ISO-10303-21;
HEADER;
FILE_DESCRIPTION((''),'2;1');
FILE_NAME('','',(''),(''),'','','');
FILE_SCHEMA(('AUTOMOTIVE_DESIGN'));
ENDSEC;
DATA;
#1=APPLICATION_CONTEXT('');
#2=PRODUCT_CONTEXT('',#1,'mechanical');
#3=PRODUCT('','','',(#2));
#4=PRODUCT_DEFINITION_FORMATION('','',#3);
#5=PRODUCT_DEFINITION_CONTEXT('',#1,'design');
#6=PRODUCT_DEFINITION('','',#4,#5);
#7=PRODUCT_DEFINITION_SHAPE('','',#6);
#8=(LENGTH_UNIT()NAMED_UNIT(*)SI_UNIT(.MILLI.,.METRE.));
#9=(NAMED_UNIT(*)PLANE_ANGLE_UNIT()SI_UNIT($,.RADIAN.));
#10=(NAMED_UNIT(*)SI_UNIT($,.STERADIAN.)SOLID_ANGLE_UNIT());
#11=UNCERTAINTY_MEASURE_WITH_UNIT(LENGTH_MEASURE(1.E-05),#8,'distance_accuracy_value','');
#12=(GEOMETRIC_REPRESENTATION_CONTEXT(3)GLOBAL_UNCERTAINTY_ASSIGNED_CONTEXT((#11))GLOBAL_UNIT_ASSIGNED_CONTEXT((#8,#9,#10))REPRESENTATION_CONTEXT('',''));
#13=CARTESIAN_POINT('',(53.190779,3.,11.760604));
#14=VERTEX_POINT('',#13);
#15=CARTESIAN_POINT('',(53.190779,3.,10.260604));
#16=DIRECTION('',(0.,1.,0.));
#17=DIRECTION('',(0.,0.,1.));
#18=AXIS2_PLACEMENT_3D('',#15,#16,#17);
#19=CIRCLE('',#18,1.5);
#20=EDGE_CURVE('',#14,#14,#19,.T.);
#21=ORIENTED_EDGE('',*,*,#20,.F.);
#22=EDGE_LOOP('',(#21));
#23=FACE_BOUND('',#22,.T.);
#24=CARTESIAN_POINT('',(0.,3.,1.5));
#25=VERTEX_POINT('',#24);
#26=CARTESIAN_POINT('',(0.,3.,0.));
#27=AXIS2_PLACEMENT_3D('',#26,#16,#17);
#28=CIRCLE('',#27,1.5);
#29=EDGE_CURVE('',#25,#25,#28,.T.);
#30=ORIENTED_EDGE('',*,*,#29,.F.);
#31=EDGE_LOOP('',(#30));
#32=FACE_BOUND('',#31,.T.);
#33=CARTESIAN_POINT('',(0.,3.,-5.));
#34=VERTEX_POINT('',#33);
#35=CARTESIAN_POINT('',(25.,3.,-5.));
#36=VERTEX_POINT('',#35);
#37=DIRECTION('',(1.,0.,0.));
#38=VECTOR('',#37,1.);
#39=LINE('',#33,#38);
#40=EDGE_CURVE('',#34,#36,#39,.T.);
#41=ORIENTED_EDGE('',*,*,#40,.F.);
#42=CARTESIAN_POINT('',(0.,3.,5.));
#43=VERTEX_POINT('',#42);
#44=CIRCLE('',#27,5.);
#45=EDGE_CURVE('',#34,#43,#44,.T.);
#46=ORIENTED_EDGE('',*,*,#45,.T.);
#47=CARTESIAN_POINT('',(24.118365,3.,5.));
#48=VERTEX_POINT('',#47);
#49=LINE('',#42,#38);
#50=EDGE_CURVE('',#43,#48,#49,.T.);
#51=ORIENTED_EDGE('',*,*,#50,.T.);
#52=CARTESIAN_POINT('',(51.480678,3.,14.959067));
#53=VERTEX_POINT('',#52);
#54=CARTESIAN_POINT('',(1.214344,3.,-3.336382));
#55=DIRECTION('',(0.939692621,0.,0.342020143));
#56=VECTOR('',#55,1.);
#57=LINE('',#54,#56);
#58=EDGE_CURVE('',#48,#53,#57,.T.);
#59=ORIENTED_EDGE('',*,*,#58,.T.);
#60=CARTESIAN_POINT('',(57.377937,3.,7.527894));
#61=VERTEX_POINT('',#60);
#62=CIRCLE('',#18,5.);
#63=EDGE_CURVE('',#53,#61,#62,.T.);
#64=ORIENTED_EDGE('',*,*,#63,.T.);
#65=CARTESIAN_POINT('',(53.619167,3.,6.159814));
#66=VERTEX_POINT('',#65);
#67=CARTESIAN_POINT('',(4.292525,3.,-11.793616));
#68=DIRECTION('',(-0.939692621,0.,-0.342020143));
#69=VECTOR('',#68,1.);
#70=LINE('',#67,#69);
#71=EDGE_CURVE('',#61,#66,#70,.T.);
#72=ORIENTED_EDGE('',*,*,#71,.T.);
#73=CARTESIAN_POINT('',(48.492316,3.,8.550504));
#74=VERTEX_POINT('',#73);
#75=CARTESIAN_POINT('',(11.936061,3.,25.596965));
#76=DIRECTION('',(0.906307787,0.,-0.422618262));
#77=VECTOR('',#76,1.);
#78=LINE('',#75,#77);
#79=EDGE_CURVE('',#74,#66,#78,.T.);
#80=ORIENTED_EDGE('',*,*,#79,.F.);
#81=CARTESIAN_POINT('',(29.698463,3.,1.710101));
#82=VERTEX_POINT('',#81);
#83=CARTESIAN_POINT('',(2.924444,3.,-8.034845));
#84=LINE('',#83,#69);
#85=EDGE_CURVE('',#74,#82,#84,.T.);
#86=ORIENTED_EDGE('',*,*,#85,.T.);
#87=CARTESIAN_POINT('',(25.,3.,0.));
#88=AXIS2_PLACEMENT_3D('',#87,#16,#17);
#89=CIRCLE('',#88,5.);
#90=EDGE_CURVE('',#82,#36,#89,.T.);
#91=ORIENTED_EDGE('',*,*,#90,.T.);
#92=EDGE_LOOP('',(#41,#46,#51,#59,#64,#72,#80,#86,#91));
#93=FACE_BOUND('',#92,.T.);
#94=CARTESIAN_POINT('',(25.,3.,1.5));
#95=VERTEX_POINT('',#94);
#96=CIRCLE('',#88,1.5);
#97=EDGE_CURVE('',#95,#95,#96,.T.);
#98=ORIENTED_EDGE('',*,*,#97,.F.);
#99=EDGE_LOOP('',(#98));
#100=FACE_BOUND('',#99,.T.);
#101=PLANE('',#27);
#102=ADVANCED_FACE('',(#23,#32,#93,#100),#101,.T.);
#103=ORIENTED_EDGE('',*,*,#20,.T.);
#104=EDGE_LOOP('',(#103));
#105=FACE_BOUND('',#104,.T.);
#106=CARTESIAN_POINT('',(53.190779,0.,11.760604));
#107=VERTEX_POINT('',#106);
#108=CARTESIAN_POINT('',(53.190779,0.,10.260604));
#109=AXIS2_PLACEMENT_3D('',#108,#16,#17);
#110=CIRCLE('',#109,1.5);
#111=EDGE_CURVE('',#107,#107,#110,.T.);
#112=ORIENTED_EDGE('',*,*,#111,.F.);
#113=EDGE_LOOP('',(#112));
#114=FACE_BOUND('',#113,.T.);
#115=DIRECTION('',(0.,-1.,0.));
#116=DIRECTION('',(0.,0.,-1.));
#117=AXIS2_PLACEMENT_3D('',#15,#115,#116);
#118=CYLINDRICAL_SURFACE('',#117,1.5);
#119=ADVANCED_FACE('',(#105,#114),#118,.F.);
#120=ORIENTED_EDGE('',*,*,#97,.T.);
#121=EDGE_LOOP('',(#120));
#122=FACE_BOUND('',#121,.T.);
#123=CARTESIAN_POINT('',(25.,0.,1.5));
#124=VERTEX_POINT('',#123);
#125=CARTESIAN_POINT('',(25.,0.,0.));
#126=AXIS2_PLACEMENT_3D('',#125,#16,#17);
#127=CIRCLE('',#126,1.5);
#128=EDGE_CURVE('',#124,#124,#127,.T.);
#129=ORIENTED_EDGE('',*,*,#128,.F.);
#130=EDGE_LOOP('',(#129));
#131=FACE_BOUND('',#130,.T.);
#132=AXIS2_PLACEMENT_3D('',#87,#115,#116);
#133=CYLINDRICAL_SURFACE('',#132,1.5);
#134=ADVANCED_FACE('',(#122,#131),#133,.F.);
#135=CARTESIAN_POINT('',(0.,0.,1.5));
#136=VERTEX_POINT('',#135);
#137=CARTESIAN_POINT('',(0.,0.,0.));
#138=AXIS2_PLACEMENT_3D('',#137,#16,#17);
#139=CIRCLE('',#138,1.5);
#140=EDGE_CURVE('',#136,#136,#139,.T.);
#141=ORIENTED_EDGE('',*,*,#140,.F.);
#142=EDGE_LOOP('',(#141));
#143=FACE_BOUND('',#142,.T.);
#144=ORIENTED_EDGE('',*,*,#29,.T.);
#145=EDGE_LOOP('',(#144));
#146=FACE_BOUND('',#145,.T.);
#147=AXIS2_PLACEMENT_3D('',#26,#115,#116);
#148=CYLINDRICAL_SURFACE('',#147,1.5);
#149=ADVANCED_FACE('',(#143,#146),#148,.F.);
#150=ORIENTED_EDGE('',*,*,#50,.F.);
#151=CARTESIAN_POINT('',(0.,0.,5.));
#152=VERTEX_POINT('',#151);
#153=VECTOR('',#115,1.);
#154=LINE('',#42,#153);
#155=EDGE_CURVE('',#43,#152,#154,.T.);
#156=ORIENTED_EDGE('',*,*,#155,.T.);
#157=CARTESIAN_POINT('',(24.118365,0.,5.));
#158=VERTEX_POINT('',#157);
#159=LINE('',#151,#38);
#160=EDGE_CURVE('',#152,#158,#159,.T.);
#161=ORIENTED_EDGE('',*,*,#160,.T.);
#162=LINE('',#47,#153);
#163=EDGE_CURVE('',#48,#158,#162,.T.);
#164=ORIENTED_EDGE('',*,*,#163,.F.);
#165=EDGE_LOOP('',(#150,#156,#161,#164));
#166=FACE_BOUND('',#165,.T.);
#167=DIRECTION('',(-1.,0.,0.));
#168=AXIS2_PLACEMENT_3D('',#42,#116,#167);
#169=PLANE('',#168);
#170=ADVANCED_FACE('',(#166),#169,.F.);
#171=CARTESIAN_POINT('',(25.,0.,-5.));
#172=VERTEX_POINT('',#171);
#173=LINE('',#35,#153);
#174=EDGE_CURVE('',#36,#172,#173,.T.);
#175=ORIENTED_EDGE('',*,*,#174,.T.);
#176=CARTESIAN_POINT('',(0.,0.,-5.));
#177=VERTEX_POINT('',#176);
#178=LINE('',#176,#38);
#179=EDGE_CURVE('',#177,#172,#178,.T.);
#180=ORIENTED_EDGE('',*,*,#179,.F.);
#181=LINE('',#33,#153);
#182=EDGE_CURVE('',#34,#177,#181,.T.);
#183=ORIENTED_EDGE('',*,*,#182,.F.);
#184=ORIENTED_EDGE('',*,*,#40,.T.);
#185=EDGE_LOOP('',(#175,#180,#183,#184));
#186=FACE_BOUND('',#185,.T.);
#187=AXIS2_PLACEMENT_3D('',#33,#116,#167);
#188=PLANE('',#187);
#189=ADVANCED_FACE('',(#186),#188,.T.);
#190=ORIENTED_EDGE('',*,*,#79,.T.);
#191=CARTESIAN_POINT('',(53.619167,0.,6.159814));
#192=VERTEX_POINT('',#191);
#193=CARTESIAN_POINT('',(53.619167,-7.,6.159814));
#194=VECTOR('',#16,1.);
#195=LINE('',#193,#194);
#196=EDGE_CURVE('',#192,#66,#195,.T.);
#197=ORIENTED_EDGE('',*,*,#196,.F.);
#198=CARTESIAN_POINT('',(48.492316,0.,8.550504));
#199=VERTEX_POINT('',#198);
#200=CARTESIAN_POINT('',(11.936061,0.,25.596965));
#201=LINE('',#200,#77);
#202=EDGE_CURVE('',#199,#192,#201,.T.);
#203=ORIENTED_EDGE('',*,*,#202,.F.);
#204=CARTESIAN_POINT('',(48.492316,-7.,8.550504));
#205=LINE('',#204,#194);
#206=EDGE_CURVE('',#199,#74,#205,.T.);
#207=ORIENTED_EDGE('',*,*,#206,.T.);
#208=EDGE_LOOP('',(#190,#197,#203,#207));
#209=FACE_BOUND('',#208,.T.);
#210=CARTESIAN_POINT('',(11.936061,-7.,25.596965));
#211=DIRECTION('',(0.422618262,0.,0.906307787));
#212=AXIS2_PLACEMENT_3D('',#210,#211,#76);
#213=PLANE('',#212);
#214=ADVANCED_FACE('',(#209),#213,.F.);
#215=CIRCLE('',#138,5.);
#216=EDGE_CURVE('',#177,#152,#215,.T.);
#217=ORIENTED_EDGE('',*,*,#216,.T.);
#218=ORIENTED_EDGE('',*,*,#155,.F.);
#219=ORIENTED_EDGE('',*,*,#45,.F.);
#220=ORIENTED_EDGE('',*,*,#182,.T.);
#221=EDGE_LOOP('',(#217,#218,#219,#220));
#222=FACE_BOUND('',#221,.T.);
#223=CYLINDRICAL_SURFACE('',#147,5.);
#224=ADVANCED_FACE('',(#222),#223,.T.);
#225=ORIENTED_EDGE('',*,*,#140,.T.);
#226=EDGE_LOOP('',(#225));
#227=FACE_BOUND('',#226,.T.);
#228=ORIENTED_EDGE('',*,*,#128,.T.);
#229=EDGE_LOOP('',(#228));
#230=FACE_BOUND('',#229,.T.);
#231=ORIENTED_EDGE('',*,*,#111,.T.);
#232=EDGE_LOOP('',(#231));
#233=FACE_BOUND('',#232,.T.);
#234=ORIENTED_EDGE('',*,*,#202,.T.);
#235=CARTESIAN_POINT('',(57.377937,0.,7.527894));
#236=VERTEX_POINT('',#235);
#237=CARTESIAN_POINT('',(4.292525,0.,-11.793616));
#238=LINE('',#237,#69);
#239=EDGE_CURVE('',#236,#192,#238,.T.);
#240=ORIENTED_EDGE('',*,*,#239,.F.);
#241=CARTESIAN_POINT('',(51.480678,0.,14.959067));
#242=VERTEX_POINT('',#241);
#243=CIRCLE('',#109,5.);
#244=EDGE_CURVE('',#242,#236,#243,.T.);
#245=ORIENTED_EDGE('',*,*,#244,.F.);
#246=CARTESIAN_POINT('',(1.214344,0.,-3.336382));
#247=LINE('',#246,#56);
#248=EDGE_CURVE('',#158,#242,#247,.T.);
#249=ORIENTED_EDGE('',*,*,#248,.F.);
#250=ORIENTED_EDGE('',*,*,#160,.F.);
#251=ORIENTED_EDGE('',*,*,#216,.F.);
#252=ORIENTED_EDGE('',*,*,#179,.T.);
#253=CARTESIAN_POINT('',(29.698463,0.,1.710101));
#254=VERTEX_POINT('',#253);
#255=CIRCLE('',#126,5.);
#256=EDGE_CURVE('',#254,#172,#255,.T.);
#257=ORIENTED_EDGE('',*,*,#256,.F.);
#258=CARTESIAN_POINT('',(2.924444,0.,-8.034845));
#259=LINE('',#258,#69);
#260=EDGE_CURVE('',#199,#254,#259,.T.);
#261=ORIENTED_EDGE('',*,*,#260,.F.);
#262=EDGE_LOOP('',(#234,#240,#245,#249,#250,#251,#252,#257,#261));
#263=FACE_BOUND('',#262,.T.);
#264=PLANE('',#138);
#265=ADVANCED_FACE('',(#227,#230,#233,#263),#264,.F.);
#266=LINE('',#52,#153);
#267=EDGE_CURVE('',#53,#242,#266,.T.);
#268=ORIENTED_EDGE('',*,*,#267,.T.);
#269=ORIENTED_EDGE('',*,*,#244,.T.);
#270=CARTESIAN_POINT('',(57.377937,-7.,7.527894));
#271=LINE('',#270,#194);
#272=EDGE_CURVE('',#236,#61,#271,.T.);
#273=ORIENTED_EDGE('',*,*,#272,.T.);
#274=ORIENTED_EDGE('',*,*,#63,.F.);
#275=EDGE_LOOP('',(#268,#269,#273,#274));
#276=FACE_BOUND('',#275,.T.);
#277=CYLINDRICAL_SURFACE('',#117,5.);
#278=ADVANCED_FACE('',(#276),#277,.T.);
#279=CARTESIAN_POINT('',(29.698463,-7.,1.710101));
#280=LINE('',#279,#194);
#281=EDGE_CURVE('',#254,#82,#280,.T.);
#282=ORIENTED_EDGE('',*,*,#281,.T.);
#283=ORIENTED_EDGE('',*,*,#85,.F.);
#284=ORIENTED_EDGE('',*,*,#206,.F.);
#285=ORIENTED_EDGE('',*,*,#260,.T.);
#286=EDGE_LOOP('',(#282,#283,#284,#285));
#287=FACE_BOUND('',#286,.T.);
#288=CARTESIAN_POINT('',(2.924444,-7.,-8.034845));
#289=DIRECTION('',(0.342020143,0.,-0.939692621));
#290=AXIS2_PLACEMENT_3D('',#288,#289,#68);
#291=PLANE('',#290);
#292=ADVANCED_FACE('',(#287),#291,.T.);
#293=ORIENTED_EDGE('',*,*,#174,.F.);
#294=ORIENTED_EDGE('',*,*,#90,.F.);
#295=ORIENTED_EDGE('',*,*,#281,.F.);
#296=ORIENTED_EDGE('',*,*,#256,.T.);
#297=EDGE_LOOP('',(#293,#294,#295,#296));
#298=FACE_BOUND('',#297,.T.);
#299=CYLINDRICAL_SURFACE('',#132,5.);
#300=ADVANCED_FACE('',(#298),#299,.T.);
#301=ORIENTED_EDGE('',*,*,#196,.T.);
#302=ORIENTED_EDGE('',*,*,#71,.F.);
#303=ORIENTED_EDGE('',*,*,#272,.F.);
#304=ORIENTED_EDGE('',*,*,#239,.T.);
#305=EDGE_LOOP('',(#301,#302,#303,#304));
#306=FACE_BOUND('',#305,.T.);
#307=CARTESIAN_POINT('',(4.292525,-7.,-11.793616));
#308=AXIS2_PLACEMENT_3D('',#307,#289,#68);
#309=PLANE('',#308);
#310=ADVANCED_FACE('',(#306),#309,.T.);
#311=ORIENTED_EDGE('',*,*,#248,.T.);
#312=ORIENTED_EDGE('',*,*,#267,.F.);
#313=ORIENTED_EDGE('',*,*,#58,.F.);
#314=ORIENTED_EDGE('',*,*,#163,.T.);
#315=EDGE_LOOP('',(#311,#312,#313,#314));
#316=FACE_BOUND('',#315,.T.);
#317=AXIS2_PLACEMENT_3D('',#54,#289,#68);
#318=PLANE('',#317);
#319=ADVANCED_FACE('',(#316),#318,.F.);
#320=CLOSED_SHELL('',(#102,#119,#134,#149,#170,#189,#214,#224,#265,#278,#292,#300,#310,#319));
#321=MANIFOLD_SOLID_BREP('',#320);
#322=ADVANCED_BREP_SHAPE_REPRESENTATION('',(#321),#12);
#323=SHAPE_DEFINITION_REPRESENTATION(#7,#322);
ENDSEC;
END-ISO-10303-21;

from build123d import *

# Parameters (mm, degrees)
SKETCH1_R           = 1.5
BOSS_EXTRUDE1_DEPTH = 3
CUT_EXTRUDE1_DEPTH  = 10


with BuildPart() as part:
    # Sketch1 → Boss-Extrude1 (new body)
    with BuildSketch(Plane(origin=(0, 0, 0), x_dir=(1, 0, 0), z_dir=(0, 1, 0))):
        with BuildLine():
            Line((25, 5), (0, 5))
            ThreePointArc((0, 5), (-5, 0), (0, -5))
            Line((0, -5), (24.118365096, -5))
            Line((24.118365096, -5), (51.480677907, -14.959067404))
            ThreePointArc((51.480677907, -14.959067404), (57.889241728, -11.970705016), (54.90087934, -5.562141196))
            Line((54.90087934, -5.562141196), (26.710100717, 4.698463104))
            ThreePointArc((26.710100717, 4.698463104), (25.868240888, 4.924038765), (25, 5))
        make_face()
        Circle(SKETCH1_R, mode=Mode.SUBTRACT)
        with Locations((25, 0)):
            Circle(SKETCH1_R, mode=Mode.SUBTRACT)
        with Locations((53.190778624, -10.2606043)):
            Circle(SKETCH1_R, mode=Mode.SUBTRACT)
    extrude(amount=BOSS_EXTRUDE1_DEPTH)

    # Sketch2 → Cut-Extrude1 (cut)
    with BuildSketch(Plane(origin=(0, 3, 0), x_dir=(1, 0, 0), z_dir=(0, 1, 0))):
        with BuildLine():
            Line((53.619166576, -6.159813673), (57.377937059, -7.527894247))
            ThreePointArc((57.377937059, -7.527894247), (56.298907102, -6.344032156), (54.90087934, -5.562141196))
            Line((54.90087934, -5.562141196), (26.710100717, 4.698463104))
            ThreePointArc((26.710100717, 4.698463104), (29.095760221, 2.867882182), (30, 0))
            ThreePointArc((30, 0), (29.924038765, -0.868240888), (29.698463104, -1.710100717))
            Line((29.698463104, -1.710100717), (48.49231552, -8.550503583))
            Line((48.49231552, -8.550503583), (53.619166576, -6.159813673))
        make_face()
    extrude(amount=-CUT_EXTRUDE1_DEPTH, mode=Mode.SUBTRACT)


solid = part.part
